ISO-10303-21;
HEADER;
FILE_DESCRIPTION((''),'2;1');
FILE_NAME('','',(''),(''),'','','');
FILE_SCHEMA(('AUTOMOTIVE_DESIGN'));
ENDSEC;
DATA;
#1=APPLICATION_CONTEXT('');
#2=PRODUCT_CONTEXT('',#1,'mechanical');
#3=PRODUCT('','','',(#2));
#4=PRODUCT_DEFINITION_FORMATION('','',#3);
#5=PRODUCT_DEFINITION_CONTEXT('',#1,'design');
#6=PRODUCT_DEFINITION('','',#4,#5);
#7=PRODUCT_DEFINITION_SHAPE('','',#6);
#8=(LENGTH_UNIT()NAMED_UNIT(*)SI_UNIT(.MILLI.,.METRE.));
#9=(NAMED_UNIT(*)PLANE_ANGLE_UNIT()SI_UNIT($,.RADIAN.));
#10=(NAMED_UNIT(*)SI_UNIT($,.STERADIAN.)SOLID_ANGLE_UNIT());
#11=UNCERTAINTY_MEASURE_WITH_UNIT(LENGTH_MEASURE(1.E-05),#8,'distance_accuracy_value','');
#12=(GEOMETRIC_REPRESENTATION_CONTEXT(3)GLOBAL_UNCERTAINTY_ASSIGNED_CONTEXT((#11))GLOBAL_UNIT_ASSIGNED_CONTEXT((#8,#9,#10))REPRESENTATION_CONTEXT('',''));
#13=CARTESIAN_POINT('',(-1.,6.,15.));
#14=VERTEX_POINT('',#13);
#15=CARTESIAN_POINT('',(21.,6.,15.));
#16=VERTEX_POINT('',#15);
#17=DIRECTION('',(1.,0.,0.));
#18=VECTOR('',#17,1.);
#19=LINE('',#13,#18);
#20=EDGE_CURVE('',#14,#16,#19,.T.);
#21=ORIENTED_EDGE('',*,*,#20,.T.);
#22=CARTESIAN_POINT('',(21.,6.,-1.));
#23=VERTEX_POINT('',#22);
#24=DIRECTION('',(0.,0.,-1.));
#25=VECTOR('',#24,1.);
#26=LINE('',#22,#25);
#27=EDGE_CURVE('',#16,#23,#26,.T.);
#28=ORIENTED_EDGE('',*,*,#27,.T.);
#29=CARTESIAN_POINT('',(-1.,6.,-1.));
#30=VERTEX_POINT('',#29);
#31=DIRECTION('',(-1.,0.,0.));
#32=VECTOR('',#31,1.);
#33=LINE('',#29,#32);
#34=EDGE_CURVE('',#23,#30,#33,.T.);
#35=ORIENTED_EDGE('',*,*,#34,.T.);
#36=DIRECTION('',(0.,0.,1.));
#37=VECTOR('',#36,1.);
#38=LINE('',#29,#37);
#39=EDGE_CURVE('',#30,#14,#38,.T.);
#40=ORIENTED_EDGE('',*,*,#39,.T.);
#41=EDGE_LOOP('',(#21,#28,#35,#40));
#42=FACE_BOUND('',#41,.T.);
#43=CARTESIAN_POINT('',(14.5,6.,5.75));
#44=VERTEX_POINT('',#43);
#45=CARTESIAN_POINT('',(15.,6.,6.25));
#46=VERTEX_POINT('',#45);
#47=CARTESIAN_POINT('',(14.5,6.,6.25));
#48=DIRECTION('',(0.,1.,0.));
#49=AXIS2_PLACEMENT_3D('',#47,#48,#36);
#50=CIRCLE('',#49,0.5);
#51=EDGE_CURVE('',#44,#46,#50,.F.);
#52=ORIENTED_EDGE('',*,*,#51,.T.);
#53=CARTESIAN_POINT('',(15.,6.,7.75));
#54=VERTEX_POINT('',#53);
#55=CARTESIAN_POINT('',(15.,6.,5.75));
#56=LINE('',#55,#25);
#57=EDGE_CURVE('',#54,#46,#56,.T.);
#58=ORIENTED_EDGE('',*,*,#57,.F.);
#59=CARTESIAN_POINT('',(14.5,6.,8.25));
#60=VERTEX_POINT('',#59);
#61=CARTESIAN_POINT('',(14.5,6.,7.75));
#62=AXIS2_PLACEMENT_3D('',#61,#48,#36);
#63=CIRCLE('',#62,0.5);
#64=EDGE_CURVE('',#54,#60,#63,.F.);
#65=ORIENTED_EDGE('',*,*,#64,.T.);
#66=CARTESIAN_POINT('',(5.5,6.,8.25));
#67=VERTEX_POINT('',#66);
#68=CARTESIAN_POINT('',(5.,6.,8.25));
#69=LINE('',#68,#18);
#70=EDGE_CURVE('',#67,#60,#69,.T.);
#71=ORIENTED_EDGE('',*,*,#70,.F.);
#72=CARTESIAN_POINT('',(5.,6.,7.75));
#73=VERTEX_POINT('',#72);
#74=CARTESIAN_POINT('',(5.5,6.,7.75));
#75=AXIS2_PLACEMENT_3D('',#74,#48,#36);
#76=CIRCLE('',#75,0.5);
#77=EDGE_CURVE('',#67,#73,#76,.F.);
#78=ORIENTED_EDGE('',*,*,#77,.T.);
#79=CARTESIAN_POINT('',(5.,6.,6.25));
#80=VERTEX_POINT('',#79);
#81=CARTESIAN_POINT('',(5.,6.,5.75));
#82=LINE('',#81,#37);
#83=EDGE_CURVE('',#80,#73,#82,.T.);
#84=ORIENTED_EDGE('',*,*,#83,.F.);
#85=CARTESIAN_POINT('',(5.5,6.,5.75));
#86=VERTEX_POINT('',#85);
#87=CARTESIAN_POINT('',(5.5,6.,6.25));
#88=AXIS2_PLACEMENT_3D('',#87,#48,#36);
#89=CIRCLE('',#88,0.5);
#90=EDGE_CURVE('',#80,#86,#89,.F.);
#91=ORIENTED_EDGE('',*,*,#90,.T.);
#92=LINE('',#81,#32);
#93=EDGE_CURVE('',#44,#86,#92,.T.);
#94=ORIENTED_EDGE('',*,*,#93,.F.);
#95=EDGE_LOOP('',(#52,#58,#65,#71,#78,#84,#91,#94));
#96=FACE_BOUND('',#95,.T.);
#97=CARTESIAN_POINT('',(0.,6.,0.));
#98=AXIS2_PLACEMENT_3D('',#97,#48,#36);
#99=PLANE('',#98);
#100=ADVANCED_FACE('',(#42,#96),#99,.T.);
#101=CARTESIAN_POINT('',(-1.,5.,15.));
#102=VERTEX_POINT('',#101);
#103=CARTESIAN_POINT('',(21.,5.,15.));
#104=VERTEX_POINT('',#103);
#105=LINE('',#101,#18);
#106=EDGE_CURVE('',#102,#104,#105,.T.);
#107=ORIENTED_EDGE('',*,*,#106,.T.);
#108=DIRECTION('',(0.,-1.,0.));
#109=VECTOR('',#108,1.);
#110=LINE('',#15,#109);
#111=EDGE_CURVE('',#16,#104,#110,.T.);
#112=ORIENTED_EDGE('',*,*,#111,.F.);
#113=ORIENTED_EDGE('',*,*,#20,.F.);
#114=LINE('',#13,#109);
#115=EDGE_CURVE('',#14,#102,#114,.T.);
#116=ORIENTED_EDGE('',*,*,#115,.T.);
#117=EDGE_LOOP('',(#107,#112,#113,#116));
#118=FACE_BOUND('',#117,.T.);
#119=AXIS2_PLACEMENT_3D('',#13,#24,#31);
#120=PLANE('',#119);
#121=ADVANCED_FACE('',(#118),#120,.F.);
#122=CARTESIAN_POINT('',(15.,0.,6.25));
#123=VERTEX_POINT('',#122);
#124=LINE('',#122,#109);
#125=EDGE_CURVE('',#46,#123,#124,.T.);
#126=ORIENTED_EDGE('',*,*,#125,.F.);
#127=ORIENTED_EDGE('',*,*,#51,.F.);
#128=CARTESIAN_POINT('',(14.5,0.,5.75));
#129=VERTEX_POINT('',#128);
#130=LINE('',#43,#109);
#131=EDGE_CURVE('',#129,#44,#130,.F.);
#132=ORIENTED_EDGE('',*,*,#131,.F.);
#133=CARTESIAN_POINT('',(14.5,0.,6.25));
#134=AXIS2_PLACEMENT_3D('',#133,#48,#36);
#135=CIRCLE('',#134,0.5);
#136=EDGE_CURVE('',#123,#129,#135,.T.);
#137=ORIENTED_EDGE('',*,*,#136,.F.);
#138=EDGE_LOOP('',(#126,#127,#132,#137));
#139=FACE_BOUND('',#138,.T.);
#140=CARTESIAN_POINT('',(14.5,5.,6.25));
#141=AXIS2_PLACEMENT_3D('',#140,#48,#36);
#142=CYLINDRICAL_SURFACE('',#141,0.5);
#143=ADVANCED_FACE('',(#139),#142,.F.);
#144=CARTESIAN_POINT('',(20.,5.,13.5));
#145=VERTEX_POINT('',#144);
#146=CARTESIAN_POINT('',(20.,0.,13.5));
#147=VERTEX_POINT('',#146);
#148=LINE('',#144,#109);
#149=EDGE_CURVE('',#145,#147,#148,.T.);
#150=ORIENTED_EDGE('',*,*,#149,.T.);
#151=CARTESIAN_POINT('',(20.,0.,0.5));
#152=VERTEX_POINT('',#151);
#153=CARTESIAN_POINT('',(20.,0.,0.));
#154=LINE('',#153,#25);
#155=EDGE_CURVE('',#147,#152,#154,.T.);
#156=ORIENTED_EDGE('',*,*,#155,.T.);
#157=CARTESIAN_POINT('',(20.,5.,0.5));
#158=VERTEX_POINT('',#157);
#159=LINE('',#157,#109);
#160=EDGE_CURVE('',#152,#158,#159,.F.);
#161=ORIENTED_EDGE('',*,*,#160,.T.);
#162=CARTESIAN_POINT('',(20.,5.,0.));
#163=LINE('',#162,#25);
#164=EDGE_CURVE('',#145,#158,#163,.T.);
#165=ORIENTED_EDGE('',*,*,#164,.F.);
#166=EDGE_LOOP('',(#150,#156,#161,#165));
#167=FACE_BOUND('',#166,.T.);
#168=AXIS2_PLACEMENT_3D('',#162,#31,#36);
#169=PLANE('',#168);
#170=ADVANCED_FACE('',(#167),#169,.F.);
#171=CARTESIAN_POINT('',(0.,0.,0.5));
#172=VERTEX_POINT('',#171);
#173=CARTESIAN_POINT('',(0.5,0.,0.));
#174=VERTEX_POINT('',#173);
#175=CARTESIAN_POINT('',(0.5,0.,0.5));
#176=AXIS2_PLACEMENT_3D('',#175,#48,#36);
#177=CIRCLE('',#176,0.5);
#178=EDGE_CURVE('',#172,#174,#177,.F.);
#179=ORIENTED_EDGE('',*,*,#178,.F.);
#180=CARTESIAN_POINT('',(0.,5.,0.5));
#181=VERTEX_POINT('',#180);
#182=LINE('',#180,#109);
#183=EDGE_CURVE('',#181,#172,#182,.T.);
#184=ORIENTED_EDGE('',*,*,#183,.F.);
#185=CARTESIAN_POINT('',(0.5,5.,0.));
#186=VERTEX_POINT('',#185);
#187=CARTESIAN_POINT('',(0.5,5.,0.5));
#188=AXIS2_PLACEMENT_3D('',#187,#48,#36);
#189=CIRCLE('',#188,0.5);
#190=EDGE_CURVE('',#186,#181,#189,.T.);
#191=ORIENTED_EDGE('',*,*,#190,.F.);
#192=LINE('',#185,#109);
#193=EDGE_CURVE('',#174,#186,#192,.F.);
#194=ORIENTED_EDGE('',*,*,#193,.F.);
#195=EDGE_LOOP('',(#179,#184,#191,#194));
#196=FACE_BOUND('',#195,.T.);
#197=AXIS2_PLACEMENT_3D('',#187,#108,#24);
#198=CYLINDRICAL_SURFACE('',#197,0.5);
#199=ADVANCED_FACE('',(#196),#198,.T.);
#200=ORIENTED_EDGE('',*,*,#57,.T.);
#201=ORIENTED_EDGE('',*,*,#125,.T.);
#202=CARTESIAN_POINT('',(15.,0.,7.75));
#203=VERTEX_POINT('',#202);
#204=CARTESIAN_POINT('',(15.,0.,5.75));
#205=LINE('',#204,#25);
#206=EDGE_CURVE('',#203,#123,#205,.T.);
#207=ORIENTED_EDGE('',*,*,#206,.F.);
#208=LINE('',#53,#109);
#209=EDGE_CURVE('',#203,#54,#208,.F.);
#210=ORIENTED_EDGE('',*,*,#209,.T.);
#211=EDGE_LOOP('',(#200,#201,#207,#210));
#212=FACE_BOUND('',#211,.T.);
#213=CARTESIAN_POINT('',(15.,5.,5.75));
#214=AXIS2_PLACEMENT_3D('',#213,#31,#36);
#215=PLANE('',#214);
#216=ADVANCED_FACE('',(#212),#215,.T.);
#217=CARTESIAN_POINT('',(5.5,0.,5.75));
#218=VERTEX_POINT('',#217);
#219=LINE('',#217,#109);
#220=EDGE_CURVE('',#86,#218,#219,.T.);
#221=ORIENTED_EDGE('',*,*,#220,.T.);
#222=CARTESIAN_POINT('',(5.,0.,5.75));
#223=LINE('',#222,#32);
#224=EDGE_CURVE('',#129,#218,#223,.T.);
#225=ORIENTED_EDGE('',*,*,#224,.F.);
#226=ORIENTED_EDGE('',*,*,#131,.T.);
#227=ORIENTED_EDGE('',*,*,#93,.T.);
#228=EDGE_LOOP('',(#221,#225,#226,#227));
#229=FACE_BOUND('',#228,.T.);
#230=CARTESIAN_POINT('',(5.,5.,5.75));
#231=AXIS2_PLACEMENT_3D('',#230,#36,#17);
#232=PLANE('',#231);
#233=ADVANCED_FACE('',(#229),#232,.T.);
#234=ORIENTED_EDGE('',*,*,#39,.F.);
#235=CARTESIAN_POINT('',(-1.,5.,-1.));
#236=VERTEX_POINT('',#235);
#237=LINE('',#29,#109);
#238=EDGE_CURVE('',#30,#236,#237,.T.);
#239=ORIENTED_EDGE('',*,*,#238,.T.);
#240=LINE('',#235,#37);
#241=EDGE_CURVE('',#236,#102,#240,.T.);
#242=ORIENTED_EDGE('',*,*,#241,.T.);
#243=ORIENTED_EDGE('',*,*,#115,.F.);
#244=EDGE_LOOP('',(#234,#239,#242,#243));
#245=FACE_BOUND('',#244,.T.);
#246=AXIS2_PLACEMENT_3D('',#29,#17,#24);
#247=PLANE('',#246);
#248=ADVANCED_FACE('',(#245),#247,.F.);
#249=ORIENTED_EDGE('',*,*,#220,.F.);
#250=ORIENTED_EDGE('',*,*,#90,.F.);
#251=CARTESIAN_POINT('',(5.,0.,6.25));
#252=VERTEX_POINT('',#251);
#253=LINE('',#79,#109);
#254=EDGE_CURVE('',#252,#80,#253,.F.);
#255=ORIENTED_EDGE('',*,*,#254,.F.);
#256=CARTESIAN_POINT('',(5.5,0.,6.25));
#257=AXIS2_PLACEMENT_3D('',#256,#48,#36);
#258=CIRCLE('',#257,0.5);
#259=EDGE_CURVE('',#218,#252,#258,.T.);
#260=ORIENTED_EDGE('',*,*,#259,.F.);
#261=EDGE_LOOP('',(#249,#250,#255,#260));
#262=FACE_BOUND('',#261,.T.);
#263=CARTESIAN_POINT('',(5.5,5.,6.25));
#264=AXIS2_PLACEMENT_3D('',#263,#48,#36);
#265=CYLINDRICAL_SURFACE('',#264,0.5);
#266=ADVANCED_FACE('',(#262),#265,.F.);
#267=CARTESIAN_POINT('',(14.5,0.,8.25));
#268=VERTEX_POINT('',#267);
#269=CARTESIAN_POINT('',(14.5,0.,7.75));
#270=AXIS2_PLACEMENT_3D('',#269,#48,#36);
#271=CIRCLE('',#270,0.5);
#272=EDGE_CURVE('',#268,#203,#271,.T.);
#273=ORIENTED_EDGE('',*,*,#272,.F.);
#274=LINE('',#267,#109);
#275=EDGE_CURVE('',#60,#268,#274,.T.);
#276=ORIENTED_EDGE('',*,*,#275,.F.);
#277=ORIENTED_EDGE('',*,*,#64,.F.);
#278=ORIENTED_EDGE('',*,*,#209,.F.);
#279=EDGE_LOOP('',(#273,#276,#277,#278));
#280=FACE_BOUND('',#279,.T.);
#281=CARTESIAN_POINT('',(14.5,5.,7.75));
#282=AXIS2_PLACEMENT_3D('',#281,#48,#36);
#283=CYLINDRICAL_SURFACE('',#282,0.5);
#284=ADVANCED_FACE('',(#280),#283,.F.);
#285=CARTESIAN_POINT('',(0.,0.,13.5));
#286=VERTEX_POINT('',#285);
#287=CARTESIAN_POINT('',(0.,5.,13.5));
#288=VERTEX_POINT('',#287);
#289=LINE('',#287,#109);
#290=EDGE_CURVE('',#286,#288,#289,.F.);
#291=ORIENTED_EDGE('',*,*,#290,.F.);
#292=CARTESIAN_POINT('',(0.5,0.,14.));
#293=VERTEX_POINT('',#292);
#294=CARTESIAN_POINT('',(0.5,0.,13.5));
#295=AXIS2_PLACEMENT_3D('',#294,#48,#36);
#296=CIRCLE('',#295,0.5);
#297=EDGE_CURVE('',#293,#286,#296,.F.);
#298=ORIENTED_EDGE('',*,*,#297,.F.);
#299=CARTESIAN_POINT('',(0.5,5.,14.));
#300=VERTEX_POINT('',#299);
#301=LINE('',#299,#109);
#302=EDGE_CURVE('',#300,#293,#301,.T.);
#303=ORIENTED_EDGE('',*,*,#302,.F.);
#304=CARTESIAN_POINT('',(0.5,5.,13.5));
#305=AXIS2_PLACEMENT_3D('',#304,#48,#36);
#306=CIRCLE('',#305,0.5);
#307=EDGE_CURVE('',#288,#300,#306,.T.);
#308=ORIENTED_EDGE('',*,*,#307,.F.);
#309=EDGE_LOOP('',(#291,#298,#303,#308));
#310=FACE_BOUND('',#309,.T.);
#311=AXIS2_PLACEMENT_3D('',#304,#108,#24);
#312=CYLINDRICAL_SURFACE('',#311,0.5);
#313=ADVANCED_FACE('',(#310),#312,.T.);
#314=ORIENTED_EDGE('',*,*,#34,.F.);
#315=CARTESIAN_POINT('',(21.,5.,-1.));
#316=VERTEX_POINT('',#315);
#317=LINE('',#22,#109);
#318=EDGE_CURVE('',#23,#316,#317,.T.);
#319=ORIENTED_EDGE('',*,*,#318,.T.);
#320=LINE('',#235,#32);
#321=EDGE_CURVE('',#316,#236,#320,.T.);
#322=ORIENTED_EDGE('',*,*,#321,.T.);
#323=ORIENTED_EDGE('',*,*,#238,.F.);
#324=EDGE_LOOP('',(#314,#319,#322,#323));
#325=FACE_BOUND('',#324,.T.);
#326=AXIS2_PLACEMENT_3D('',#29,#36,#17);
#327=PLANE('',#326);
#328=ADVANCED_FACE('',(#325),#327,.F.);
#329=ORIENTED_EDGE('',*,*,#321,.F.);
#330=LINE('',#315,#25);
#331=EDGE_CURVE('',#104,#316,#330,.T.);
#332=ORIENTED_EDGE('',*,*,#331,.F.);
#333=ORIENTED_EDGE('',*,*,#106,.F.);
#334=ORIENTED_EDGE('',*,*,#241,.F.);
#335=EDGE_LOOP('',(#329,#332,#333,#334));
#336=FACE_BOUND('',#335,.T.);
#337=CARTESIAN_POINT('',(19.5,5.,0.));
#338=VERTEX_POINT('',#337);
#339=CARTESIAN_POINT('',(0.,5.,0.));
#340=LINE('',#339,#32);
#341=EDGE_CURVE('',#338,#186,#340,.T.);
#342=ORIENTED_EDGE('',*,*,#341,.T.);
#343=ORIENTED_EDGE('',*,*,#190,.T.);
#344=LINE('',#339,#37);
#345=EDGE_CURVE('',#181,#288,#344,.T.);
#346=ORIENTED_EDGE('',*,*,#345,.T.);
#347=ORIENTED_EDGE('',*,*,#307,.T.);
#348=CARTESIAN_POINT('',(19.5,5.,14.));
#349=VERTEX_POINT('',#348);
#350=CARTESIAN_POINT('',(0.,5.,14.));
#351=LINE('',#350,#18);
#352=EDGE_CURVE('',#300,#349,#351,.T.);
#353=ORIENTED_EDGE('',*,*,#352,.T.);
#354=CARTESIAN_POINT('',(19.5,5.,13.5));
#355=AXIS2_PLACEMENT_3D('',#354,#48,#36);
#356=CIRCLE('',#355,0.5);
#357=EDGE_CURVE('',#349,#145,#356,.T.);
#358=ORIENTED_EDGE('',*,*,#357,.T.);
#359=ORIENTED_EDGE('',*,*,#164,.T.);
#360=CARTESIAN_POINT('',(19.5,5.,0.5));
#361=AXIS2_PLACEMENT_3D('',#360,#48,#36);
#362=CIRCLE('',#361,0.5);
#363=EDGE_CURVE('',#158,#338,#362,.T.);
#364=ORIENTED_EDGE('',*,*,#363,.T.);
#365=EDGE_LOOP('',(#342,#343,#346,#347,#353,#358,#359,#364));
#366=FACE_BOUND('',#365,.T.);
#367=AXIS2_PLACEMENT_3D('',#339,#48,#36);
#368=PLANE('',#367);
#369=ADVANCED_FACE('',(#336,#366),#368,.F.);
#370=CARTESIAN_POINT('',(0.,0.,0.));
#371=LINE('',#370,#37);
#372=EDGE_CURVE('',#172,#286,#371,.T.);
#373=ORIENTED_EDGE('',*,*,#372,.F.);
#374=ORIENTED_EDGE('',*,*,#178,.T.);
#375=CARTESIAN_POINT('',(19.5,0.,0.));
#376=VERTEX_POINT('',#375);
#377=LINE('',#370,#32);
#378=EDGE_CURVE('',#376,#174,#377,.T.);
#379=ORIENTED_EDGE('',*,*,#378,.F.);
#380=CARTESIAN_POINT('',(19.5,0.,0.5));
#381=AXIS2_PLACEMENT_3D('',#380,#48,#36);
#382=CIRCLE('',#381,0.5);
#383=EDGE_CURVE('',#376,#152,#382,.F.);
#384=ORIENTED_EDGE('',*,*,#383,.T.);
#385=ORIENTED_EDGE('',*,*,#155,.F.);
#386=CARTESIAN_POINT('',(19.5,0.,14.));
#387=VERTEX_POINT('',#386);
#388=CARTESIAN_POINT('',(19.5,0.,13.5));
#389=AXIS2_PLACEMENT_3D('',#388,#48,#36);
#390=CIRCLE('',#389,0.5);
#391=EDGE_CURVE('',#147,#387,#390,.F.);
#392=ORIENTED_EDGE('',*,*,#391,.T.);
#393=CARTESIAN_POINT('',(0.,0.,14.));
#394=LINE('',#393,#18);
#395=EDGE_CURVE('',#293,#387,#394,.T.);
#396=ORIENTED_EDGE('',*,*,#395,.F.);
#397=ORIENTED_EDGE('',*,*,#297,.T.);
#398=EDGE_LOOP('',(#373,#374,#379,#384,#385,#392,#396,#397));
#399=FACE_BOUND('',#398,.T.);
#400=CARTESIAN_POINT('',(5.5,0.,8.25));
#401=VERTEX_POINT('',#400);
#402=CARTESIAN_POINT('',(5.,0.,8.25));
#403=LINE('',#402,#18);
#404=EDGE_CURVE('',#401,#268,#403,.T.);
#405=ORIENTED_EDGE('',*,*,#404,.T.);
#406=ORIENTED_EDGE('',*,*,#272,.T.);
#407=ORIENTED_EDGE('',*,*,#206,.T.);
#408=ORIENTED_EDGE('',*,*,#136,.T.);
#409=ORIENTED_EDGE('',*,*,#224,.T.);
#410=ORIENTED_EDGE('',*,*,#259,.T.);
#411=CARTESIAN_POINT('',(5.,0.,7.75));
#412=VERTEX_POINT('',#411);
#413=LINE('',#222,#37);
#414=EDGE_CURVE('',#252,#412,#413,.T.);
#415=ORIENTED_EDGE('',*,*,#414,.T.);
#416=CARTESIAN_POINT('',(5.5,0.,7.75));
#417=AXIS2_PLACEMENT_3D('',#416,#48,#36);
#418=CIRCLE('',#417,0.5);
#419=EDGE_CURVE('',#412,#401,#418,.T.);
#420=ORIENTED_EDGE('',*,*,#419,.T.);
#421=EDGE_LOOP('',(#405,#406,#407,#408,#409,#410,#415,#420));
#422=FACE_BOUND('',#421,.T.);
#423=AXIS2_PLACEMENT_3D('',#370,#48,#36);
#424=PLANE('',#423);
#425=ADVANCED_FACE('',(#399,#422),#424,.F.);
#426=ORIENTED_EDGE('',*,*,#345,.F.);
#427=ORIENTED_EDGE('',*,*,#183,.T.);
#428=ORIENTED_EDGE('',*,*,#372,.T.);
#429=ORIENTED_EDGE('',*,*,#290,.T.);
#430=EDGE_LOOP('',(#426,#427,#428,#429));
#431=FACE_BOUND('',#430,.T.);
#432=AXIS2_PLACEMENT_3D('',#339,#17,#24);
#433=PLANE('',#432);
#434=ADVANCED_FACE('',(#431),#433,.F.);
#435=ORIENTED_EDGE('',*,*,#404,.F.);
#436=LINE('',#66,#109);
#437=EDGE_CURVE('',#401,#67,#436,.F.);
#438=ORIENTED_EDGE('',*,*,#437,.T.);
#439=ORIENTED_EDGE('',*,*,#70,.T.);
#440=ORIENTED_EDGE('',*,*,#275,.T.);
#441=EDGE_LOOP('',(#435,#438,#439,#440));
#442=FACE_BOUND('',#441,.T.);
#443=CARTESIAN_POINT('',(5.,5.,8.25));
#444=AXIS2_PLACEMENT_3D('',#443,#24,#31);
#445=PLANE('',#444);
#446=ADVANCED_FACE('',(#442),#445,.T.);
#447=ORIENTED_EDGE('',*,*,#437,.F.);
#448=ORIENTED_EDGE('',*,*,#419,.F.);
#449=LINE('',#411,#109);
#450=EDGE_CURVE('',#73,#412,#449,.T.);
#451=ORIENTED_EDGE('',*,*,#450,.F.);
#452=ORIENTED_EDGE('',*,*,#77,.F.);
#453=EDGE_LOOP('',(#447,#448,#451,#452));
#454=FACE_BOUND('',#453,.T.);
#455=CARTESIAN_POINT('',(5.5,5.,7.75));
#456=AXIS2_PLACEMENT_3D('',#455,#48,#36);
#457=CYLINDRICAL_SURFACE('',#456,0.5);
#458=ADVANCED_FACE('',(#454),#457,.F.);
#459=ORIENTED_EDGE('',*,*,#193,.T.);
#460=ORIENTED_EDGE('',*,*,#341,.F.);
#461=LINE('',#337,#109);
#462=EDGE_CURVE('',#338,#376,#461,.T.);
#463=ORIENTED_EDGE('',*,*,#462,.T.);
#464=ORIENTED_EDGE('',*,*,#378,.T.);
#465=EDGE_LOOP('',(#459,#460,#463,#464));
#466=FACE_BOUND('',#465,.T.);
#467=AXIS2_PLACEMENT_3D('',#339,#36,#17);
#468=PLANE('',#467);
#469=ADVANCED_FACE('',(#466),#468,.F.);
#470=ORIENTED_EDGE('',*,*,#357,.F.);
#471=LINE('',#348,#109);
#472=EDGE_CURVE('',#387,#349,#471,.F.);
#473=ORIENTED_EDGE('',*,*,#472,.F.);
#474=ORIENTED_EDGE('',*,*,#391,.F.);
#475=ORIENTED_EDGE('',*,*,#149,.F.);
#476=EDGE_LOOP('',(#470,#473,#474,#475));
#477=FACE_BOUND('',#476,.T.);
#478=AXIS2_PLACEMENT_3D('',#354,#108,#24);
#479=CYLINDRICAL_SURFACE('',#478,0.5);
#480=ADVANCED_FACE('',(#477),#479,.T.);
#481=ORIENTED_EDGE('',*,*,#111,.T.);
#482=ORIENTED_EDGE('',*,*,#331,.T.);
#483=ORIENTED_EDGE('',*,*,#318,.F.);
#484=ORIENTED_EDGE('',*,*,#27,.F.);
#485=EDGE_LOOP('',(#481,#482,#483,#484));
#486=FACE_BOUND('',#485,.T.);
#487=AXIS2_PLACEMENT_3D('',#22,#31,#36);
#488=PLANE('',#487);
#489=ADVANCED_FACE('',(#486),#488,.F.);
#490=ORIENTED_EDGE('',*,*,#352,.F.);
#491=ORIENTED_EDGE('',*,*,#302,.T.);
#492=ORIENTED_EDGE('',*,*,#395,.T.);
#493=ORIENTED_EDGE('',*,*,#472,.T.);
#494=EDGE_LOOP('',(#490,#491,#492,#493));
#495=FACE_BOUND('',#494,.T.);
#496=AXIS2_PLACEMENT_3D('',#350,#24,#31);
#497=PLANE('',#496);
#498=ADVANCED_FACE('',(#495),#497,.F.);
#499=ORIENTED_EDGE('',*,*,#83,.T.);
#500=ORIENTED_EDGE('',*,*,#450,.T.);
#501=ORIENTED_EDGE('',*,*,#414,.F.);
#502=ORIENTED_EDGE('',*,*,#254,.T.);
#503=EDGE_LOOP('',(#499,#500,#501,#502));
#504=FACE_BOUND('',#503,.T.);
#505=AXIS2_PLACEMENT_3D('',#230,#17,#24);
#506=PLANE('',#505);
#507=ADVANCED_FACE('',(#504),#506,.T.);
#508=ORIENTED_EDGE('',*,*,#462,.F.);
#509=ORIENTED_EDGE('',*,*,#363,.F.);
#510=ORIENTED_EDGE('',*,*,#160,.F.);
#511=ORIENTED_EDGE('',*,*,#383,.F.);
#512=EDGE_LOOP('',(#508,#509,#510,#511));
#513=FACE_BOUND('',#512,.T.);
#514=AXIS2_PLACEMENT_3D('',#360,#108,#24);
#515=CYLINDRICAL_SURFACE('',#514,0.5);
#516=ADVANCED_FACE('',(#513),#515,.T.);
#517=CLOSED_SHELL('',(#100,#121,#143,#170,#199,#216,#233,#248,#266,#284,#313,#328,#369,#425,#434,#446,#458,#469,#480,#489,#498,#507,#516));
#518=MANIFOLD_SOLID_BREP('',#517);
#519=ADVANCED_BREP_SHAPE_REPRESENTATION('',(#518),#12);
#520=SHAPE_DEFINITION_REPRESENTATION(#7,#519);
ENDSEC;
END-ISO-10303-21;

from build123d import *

# Parameters (mm, degrees)
SKETCH1_W           = 20
SKETCH1_H           = 14
SKETCH1_W_2         = 10
SKETCH1_H_2         = 2.5
BOSS_EXTRUDE1_DEPTH = 5
SKETCH2_W           = 22
SKETCH2_H           = 16
SKETCH2_W_2         = 10
SKETCH2_H_2         = 2.5
BOSS_EXTRUDE2_DEPTH = 1
FILLET1_R           = 0.5


with BuildPart() as part:
    # Sketch1 → Boss-Extrude1 (new body)
    with BuildSketch(Plane(origin=(0, 0, 0), x_dir=(1, 0, 0), z_dir=(0, 1, 0))):
        with Locations((10, -7)):
            Rectangle(SKETCH1_W, SKETCH1_H)
        with Locations((10, -7)):
            Rectangle(SKETCH1_W_2, SKETCH1_H_2, mode=Mode.SUBTRACT)
    extrude(amount=BOSS_EXTRUDE1_DEPTH)

    # Sketch2 → Boss-Extrude2 (add)
    with BuildSketch(Plane(origin=(0, 5, 0), x_dir=(1, 0, 0), z_dir=(0, 1, 0))):
        with Locations((10, -7)):
            Rectangle(SKETCH2_W, SKETCH2_H)
        with Locations((10, -7)):
            Rectangle(SKETCH2_W_2, SKETCH2_H_2, mode=Mode.SUBTRACT)
    extrude(amount=BOSS_EXTRUDE2_DEPTH)

    # Fillet1
    fillet1_edges = [part.edges().sort_by_distance(p)[0] for p in [
        (15, 3, 8.25),
        (15, 3, 5.75),
        (5, 3, 5.75),
        (5, 3, 8.25),
        (0, 2.5, 0),
        (20, 2.5, 0),
        (20, 2.5, 14),
        (0, 2.5, 14),
    ]]
    fillet(fillet1_edges, radius=FILLET1_R)


solid = part.part
